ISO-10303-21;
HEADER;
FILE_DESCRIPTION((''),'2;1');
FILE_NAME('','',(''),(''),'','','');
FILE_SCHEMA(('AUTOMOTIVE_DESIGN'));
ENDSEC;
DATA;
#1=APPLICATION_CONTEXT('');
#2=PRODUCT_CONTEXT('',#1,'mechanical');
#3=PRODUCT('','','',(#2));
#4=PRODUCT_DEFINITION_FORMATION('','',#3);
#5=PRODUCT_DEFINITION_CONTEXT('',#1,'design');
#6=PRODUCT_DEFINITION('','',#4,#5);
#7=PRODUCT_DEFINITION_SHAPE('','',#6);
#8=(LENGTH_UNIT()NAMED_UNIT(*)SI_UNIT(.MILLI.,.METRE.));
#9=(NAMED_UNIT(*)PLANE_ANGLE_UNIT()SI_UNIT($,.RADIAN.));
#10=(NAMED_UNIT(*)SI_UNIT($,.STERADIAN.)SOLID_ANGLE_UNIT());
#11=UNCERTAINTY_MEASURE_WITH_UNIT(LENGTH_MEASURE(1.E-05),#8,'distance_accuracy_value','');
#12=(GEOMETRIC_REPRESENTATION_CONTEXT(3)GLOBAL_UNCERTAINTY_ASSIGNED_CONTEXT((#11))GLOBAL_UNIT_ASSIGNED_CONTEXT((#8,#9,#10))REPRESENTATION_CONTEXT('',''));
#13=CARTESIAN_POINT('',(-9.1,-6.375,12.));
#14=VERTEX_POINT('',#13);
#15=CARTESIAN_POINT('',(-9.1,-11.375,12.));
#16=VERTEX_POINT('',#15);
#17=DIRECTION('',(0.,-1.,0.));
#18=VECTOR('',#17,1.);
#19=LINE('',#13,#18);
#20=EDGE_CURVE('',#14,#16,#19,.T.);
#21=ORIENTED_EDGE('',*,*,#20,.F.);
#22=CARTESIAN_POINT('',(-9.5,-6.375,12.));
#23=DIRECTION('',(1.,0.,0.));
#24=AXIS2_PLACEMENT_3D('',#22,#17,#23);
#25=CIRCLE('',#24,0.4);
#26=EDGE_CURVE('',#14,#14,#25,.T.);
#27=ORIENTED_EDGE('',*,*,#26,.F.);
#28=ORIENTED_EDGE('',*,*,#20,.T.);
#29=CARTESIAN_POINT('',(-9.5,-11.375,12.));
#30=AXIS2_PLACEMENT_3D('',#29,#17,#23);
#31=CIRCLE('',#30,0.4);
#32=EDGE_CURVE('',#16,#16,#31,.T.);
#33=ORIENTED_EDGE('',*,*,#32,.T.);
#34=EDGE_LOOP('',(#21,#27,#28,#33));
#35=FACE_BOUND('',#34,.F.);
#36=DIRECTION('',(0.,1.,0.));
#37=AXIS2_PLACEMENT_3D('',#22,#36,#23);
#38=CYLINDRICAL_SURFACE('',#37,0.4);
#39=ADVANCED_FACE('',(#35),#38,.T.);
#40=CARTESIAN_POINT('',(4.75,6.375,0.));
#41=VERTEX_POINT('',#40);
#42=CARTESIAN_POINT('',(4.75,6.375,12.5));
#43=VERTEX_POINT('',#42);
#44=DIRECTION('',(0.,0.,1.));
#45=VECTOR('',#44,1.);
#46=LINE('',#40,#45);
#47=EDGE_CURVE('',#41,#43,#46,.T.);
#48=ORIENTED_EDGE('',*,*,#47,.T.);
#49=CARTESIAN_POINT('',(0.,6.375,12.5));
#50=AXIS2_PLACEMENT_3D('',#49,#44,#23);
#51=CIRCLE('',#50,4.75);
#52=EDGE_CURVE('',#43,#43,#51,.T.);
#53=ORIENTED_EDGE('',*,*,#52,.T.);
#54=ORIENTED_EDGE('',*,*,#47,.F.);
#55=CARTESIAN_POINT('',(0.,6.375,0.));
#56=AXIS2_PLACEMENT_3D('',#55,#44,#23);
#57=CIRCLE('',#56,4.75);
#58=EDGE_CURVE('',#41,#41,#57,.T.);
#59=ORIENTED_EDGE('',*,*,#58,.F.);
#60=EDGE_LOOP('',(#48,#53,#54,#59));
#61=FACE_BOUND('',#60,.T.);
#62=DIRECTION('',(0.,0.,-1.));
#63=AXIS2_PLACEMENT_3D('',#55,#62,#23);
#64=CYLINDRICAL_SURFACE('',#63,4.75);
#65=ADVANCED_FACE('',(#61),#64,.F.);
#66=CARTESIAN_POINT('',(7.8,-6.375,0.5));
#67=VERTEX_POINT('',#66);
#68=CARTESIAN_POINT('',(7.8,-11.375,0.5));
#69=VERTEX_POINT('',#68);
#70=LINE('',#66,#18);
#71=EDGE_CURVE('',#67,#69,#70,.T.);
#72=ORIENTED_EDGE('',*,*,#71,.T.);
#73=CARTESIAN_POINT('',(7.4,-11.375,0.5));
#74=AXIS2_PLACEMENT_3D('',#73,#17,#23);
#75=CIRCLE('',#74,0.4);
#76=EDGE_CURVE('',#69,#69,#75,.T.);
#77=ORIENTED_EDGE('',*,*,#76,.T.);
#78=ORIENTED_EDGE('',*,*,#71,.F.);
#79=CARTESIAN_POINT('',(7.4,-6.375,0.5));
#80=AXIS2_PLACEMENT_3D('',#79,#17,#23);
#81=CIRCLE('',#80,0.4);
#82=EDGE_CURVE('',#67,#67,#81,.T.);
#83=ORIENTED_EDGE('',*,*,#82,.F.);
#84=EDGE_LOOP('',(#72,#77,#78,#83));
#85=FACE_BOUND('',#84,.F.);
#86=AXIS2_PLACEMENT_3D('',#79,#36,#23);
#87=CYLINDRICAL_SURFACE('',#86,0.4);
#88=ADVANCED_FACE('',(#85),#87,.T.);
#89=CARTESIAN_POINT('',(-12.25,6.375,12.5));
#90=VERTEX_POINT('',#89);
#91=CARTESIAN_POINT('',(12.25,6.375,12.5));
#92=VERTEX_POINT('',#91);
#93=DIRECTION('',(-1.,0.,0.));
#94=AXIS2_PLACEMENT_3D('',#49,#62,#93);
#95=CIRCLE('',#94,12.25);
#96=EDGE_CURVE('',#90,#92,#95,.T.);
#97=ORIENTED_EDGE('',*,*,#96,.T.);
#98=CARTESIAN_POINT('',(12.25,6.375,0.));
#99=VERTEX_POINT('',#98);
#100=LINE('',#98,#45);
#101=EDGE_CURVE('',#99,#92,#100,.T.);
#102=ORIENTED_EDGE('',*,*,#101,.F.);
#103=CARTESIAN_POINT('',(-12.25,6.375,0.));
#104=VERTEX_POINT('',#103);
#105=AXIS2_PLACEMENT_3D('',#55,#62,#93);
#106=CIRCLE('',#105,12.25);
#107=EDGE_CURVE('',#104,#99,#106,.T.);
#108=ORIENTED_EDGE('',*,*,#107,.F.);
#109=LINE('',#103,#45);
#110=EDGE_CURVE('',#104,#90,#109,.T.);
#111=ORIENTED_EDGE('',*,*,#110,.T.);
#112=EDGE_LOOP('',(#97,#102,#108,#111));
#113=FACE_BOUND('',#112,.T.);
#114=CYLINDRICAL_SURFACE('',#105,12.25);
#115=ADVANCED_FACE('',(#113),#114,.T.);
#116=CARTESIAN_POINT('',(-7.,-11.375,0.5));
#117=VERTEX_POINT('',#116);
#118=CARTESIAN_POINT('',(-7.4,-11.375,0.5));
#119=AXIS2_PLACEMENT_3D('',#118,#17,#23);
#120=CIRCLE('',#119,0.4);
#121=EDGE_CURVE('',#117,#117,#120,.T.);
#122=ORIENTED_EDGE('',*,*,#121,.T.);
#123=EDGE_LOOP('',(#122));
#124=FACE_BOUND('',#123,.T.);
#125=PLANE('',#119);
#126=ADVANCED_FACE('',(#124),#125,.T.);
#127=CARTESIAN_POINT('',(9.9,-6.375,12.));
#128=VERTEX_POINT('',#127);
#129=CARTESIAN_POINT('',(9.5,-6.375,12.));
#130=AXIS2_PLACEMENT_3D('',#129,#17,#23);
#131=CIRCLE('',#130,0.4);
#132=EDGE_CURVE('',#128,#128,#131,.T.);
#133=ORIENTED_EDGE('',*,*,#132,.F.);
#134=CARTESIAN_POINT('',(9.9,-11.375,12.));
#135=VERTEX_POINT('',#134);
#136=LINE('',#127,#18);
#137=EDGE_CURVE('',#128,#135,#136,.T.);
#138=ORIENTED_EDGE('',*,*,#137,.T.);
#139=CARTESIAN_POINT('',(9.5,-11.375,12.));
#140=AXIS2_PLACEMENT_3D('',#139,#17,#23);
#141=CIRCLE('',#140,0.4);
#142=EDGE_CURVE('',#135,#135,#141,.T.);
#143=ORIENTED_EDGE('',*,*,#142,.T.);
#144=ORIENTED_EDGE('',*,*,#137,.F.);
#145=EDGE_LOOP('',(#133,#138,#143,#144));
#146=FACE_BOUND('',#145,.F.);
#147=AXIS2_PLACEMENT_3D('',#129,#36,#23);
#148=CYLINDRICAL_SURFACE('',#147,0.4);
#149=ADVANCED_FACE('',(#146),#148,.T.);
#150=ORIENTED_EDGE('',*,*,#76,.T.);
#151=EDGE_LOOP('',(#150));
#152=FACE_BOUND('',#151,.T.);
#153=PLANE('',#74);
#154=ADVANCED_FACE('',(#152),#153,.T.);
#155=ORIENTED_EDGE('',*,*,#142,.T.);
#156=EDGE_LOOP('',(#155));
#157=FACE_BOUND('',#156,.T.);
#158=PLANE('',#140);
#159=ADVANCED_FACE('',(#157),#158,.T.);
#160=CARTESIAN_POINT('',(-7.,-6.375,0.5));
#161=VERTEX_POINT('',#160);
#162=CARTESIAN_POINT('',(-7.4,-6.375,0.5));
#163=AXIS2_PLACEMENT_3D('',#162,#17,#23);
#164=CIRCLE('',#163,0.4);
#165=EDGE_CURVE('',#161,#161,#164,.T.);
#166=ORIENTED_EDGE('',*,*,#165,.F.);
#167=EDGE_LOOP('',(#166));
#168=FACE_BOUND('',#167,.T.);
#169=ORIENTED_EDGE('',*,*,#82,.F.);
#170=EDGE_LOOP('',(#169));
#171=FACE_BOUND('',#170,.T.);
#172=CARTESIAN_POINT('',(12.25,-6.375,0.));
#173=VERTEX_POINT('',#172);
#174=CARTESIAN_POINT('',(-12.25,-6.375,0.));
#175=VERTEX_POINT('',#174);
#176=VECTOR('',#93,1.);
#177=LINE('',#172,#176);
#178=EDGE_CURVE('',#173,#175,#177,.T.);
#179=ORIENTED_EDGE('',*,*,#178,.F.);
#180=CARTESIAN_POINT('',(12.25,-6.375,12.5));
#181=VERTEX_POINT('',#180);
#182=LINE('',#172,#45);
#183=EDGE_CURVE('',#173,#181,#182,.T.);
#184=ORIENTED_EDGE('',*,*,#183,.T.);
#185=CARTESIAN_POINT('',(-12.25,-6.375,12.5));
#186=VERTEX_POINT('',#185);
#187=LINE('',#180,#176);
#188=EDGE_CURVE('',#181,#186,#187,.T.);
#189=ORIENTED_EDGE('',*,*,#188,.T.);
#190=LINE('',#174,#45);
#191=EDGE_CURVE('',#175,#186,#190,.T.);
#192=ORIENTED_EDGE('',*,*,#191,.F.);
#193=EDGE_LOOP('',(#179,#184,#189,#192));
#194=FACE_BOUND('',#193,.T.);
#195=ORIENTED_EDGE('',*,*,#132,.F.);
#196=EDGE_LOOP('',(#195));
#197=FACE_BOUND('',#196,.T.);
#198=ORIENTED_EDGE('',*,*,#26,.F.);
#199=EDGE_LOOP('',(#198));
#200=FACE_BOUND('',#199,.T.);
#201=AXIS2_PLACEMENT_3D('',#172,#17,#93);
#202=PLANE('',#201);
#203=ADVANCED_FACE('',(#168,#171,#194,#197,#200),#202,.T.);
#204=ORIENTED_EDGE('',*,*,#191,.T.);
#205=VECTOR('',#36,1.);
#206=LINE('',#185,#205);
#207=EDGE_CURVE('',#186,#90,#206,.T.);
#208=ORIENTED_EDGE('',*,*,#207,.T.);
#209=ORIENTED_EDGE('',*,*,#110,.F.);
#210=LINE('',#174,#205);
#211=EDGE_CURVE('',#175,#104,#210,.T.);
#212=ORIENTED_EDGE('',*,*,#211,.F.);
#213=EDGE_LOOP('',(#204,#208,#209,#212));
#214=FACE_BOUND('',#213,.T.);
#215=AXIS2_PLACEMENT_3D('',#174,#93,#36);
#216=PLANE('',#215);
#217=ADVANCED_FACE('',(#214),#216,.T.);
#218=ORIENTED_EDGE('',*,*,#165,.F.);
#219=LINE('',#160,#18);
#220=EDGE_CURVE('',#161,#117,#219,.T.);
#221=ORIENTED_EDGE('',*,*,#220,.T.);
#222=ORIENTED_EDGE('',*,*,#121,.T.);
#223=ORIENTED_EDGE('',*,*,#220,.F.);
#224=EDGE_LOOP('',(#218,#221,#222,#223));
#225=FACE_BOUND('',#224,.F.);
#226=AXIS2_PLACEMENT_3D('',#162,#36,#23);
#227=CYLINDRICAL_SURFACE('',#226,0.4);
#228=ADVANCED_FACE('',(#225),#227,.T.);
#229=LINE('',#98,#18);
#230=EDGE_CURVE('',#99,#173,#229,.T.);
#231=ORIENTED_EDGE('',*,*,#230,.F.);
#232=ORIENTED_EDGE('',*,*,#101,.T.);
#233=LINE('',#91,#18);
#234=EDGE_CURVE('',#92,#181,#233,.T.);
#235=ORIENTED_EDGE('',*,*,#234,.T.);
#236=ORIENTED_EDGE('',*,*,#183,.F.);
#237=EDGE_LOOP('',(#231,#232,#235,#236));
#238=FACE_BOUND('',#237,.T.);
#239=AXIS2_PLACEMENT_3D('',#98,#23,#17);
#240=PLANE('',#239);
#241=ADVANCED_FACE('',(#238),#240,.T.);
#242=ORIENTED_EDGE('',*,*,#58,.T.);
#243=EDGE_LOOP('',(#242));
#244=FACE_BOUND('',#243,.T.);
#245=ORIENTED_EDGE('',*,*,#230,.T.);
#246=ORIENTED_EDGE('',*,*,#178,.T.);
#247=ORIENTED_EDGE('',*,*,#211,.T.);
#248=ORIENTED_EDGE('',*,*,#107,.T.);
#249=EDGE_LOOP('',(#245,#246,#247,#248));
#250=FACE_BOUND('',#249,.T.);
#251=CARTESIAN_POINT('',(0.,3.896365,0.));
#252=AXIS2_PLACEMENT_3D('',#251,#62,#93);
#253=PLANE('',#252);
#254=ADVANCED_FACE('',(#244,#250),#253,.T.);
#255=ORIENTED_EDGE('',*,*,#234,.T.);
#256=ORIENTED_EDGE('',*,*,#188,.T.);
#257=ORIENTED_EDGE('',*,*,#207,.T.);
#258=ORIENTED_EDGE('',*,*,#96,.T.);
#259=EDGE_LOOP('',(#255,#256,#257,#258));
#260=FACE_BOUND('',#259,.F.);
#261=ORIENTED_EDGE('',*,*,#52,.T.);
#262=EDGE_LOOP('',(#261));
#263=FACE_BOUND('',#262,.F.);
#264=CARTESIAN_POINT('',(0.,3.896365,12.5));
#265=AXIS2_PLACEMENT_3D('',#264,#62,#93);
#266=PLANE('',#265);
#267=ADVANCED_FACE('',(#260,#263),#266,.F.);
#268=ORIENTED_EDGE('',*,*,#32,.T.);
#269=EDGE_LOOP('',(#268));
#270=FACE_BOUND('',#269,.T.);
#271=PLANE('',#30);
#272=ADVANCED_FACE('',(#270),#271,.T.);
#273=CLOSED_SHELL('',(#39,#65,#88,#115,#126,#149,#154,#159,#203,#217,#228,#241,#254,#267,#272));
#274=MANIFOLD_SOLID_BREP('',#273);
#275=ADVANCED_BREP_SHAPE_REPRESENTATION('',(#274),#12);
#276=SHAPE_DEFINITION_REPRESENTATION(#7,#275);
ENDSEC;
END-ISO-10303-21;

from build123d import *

# Parameters (mm, degrees)
SKETCH_1_R      = 4.75
EXTRUDE_1_DEPTH = 12.5
SKETCH_2_R      = 0.4
EXTRUDE_2_DEPTH = 5


with BuildPart() as part:
    # Эскиз1 → Бобышка-Вытянуть1 (new body)
    with BuildSketch(Plane.XY):
        with BuildLine():
            Line((12.25, -6.375), (-12.25, -6.375))
            Line((-12.25, -6.375), (-12.25, 6.375))
            ThreePointArc((-12.25, 6.375), (0, 18.625), (12.25, 6.375))
            Line((12.25, 6.375), (12.25, -6.375))
        make_face()
        with Locations((0, 6.375)):
            Circle(SKETCH_1_R, mode=Mode.SUBTRACT)
    extrude(amount=EXTRUDE_1_DEPTH)

    # Эскиз2 → Бобышка-Вытянуть2 (add)
    with BuildSketch(Plane.XZ.offset(6.375)):
        with Locations((7.4, 0.5)):
            Circle(SKETCH_2_R)
        with Locations((-7.4, 0.5)):
            Circle(SKETCH_2_R)
        with Locations((9.5, 12)):
            Circle(SKETCH_2_R)
        with Locations((-9.5, 12)):
            Circle(SKETCH_2_R)
    extrude(amount=EXTRUDE_2_DEPTH)


solid = part.part
